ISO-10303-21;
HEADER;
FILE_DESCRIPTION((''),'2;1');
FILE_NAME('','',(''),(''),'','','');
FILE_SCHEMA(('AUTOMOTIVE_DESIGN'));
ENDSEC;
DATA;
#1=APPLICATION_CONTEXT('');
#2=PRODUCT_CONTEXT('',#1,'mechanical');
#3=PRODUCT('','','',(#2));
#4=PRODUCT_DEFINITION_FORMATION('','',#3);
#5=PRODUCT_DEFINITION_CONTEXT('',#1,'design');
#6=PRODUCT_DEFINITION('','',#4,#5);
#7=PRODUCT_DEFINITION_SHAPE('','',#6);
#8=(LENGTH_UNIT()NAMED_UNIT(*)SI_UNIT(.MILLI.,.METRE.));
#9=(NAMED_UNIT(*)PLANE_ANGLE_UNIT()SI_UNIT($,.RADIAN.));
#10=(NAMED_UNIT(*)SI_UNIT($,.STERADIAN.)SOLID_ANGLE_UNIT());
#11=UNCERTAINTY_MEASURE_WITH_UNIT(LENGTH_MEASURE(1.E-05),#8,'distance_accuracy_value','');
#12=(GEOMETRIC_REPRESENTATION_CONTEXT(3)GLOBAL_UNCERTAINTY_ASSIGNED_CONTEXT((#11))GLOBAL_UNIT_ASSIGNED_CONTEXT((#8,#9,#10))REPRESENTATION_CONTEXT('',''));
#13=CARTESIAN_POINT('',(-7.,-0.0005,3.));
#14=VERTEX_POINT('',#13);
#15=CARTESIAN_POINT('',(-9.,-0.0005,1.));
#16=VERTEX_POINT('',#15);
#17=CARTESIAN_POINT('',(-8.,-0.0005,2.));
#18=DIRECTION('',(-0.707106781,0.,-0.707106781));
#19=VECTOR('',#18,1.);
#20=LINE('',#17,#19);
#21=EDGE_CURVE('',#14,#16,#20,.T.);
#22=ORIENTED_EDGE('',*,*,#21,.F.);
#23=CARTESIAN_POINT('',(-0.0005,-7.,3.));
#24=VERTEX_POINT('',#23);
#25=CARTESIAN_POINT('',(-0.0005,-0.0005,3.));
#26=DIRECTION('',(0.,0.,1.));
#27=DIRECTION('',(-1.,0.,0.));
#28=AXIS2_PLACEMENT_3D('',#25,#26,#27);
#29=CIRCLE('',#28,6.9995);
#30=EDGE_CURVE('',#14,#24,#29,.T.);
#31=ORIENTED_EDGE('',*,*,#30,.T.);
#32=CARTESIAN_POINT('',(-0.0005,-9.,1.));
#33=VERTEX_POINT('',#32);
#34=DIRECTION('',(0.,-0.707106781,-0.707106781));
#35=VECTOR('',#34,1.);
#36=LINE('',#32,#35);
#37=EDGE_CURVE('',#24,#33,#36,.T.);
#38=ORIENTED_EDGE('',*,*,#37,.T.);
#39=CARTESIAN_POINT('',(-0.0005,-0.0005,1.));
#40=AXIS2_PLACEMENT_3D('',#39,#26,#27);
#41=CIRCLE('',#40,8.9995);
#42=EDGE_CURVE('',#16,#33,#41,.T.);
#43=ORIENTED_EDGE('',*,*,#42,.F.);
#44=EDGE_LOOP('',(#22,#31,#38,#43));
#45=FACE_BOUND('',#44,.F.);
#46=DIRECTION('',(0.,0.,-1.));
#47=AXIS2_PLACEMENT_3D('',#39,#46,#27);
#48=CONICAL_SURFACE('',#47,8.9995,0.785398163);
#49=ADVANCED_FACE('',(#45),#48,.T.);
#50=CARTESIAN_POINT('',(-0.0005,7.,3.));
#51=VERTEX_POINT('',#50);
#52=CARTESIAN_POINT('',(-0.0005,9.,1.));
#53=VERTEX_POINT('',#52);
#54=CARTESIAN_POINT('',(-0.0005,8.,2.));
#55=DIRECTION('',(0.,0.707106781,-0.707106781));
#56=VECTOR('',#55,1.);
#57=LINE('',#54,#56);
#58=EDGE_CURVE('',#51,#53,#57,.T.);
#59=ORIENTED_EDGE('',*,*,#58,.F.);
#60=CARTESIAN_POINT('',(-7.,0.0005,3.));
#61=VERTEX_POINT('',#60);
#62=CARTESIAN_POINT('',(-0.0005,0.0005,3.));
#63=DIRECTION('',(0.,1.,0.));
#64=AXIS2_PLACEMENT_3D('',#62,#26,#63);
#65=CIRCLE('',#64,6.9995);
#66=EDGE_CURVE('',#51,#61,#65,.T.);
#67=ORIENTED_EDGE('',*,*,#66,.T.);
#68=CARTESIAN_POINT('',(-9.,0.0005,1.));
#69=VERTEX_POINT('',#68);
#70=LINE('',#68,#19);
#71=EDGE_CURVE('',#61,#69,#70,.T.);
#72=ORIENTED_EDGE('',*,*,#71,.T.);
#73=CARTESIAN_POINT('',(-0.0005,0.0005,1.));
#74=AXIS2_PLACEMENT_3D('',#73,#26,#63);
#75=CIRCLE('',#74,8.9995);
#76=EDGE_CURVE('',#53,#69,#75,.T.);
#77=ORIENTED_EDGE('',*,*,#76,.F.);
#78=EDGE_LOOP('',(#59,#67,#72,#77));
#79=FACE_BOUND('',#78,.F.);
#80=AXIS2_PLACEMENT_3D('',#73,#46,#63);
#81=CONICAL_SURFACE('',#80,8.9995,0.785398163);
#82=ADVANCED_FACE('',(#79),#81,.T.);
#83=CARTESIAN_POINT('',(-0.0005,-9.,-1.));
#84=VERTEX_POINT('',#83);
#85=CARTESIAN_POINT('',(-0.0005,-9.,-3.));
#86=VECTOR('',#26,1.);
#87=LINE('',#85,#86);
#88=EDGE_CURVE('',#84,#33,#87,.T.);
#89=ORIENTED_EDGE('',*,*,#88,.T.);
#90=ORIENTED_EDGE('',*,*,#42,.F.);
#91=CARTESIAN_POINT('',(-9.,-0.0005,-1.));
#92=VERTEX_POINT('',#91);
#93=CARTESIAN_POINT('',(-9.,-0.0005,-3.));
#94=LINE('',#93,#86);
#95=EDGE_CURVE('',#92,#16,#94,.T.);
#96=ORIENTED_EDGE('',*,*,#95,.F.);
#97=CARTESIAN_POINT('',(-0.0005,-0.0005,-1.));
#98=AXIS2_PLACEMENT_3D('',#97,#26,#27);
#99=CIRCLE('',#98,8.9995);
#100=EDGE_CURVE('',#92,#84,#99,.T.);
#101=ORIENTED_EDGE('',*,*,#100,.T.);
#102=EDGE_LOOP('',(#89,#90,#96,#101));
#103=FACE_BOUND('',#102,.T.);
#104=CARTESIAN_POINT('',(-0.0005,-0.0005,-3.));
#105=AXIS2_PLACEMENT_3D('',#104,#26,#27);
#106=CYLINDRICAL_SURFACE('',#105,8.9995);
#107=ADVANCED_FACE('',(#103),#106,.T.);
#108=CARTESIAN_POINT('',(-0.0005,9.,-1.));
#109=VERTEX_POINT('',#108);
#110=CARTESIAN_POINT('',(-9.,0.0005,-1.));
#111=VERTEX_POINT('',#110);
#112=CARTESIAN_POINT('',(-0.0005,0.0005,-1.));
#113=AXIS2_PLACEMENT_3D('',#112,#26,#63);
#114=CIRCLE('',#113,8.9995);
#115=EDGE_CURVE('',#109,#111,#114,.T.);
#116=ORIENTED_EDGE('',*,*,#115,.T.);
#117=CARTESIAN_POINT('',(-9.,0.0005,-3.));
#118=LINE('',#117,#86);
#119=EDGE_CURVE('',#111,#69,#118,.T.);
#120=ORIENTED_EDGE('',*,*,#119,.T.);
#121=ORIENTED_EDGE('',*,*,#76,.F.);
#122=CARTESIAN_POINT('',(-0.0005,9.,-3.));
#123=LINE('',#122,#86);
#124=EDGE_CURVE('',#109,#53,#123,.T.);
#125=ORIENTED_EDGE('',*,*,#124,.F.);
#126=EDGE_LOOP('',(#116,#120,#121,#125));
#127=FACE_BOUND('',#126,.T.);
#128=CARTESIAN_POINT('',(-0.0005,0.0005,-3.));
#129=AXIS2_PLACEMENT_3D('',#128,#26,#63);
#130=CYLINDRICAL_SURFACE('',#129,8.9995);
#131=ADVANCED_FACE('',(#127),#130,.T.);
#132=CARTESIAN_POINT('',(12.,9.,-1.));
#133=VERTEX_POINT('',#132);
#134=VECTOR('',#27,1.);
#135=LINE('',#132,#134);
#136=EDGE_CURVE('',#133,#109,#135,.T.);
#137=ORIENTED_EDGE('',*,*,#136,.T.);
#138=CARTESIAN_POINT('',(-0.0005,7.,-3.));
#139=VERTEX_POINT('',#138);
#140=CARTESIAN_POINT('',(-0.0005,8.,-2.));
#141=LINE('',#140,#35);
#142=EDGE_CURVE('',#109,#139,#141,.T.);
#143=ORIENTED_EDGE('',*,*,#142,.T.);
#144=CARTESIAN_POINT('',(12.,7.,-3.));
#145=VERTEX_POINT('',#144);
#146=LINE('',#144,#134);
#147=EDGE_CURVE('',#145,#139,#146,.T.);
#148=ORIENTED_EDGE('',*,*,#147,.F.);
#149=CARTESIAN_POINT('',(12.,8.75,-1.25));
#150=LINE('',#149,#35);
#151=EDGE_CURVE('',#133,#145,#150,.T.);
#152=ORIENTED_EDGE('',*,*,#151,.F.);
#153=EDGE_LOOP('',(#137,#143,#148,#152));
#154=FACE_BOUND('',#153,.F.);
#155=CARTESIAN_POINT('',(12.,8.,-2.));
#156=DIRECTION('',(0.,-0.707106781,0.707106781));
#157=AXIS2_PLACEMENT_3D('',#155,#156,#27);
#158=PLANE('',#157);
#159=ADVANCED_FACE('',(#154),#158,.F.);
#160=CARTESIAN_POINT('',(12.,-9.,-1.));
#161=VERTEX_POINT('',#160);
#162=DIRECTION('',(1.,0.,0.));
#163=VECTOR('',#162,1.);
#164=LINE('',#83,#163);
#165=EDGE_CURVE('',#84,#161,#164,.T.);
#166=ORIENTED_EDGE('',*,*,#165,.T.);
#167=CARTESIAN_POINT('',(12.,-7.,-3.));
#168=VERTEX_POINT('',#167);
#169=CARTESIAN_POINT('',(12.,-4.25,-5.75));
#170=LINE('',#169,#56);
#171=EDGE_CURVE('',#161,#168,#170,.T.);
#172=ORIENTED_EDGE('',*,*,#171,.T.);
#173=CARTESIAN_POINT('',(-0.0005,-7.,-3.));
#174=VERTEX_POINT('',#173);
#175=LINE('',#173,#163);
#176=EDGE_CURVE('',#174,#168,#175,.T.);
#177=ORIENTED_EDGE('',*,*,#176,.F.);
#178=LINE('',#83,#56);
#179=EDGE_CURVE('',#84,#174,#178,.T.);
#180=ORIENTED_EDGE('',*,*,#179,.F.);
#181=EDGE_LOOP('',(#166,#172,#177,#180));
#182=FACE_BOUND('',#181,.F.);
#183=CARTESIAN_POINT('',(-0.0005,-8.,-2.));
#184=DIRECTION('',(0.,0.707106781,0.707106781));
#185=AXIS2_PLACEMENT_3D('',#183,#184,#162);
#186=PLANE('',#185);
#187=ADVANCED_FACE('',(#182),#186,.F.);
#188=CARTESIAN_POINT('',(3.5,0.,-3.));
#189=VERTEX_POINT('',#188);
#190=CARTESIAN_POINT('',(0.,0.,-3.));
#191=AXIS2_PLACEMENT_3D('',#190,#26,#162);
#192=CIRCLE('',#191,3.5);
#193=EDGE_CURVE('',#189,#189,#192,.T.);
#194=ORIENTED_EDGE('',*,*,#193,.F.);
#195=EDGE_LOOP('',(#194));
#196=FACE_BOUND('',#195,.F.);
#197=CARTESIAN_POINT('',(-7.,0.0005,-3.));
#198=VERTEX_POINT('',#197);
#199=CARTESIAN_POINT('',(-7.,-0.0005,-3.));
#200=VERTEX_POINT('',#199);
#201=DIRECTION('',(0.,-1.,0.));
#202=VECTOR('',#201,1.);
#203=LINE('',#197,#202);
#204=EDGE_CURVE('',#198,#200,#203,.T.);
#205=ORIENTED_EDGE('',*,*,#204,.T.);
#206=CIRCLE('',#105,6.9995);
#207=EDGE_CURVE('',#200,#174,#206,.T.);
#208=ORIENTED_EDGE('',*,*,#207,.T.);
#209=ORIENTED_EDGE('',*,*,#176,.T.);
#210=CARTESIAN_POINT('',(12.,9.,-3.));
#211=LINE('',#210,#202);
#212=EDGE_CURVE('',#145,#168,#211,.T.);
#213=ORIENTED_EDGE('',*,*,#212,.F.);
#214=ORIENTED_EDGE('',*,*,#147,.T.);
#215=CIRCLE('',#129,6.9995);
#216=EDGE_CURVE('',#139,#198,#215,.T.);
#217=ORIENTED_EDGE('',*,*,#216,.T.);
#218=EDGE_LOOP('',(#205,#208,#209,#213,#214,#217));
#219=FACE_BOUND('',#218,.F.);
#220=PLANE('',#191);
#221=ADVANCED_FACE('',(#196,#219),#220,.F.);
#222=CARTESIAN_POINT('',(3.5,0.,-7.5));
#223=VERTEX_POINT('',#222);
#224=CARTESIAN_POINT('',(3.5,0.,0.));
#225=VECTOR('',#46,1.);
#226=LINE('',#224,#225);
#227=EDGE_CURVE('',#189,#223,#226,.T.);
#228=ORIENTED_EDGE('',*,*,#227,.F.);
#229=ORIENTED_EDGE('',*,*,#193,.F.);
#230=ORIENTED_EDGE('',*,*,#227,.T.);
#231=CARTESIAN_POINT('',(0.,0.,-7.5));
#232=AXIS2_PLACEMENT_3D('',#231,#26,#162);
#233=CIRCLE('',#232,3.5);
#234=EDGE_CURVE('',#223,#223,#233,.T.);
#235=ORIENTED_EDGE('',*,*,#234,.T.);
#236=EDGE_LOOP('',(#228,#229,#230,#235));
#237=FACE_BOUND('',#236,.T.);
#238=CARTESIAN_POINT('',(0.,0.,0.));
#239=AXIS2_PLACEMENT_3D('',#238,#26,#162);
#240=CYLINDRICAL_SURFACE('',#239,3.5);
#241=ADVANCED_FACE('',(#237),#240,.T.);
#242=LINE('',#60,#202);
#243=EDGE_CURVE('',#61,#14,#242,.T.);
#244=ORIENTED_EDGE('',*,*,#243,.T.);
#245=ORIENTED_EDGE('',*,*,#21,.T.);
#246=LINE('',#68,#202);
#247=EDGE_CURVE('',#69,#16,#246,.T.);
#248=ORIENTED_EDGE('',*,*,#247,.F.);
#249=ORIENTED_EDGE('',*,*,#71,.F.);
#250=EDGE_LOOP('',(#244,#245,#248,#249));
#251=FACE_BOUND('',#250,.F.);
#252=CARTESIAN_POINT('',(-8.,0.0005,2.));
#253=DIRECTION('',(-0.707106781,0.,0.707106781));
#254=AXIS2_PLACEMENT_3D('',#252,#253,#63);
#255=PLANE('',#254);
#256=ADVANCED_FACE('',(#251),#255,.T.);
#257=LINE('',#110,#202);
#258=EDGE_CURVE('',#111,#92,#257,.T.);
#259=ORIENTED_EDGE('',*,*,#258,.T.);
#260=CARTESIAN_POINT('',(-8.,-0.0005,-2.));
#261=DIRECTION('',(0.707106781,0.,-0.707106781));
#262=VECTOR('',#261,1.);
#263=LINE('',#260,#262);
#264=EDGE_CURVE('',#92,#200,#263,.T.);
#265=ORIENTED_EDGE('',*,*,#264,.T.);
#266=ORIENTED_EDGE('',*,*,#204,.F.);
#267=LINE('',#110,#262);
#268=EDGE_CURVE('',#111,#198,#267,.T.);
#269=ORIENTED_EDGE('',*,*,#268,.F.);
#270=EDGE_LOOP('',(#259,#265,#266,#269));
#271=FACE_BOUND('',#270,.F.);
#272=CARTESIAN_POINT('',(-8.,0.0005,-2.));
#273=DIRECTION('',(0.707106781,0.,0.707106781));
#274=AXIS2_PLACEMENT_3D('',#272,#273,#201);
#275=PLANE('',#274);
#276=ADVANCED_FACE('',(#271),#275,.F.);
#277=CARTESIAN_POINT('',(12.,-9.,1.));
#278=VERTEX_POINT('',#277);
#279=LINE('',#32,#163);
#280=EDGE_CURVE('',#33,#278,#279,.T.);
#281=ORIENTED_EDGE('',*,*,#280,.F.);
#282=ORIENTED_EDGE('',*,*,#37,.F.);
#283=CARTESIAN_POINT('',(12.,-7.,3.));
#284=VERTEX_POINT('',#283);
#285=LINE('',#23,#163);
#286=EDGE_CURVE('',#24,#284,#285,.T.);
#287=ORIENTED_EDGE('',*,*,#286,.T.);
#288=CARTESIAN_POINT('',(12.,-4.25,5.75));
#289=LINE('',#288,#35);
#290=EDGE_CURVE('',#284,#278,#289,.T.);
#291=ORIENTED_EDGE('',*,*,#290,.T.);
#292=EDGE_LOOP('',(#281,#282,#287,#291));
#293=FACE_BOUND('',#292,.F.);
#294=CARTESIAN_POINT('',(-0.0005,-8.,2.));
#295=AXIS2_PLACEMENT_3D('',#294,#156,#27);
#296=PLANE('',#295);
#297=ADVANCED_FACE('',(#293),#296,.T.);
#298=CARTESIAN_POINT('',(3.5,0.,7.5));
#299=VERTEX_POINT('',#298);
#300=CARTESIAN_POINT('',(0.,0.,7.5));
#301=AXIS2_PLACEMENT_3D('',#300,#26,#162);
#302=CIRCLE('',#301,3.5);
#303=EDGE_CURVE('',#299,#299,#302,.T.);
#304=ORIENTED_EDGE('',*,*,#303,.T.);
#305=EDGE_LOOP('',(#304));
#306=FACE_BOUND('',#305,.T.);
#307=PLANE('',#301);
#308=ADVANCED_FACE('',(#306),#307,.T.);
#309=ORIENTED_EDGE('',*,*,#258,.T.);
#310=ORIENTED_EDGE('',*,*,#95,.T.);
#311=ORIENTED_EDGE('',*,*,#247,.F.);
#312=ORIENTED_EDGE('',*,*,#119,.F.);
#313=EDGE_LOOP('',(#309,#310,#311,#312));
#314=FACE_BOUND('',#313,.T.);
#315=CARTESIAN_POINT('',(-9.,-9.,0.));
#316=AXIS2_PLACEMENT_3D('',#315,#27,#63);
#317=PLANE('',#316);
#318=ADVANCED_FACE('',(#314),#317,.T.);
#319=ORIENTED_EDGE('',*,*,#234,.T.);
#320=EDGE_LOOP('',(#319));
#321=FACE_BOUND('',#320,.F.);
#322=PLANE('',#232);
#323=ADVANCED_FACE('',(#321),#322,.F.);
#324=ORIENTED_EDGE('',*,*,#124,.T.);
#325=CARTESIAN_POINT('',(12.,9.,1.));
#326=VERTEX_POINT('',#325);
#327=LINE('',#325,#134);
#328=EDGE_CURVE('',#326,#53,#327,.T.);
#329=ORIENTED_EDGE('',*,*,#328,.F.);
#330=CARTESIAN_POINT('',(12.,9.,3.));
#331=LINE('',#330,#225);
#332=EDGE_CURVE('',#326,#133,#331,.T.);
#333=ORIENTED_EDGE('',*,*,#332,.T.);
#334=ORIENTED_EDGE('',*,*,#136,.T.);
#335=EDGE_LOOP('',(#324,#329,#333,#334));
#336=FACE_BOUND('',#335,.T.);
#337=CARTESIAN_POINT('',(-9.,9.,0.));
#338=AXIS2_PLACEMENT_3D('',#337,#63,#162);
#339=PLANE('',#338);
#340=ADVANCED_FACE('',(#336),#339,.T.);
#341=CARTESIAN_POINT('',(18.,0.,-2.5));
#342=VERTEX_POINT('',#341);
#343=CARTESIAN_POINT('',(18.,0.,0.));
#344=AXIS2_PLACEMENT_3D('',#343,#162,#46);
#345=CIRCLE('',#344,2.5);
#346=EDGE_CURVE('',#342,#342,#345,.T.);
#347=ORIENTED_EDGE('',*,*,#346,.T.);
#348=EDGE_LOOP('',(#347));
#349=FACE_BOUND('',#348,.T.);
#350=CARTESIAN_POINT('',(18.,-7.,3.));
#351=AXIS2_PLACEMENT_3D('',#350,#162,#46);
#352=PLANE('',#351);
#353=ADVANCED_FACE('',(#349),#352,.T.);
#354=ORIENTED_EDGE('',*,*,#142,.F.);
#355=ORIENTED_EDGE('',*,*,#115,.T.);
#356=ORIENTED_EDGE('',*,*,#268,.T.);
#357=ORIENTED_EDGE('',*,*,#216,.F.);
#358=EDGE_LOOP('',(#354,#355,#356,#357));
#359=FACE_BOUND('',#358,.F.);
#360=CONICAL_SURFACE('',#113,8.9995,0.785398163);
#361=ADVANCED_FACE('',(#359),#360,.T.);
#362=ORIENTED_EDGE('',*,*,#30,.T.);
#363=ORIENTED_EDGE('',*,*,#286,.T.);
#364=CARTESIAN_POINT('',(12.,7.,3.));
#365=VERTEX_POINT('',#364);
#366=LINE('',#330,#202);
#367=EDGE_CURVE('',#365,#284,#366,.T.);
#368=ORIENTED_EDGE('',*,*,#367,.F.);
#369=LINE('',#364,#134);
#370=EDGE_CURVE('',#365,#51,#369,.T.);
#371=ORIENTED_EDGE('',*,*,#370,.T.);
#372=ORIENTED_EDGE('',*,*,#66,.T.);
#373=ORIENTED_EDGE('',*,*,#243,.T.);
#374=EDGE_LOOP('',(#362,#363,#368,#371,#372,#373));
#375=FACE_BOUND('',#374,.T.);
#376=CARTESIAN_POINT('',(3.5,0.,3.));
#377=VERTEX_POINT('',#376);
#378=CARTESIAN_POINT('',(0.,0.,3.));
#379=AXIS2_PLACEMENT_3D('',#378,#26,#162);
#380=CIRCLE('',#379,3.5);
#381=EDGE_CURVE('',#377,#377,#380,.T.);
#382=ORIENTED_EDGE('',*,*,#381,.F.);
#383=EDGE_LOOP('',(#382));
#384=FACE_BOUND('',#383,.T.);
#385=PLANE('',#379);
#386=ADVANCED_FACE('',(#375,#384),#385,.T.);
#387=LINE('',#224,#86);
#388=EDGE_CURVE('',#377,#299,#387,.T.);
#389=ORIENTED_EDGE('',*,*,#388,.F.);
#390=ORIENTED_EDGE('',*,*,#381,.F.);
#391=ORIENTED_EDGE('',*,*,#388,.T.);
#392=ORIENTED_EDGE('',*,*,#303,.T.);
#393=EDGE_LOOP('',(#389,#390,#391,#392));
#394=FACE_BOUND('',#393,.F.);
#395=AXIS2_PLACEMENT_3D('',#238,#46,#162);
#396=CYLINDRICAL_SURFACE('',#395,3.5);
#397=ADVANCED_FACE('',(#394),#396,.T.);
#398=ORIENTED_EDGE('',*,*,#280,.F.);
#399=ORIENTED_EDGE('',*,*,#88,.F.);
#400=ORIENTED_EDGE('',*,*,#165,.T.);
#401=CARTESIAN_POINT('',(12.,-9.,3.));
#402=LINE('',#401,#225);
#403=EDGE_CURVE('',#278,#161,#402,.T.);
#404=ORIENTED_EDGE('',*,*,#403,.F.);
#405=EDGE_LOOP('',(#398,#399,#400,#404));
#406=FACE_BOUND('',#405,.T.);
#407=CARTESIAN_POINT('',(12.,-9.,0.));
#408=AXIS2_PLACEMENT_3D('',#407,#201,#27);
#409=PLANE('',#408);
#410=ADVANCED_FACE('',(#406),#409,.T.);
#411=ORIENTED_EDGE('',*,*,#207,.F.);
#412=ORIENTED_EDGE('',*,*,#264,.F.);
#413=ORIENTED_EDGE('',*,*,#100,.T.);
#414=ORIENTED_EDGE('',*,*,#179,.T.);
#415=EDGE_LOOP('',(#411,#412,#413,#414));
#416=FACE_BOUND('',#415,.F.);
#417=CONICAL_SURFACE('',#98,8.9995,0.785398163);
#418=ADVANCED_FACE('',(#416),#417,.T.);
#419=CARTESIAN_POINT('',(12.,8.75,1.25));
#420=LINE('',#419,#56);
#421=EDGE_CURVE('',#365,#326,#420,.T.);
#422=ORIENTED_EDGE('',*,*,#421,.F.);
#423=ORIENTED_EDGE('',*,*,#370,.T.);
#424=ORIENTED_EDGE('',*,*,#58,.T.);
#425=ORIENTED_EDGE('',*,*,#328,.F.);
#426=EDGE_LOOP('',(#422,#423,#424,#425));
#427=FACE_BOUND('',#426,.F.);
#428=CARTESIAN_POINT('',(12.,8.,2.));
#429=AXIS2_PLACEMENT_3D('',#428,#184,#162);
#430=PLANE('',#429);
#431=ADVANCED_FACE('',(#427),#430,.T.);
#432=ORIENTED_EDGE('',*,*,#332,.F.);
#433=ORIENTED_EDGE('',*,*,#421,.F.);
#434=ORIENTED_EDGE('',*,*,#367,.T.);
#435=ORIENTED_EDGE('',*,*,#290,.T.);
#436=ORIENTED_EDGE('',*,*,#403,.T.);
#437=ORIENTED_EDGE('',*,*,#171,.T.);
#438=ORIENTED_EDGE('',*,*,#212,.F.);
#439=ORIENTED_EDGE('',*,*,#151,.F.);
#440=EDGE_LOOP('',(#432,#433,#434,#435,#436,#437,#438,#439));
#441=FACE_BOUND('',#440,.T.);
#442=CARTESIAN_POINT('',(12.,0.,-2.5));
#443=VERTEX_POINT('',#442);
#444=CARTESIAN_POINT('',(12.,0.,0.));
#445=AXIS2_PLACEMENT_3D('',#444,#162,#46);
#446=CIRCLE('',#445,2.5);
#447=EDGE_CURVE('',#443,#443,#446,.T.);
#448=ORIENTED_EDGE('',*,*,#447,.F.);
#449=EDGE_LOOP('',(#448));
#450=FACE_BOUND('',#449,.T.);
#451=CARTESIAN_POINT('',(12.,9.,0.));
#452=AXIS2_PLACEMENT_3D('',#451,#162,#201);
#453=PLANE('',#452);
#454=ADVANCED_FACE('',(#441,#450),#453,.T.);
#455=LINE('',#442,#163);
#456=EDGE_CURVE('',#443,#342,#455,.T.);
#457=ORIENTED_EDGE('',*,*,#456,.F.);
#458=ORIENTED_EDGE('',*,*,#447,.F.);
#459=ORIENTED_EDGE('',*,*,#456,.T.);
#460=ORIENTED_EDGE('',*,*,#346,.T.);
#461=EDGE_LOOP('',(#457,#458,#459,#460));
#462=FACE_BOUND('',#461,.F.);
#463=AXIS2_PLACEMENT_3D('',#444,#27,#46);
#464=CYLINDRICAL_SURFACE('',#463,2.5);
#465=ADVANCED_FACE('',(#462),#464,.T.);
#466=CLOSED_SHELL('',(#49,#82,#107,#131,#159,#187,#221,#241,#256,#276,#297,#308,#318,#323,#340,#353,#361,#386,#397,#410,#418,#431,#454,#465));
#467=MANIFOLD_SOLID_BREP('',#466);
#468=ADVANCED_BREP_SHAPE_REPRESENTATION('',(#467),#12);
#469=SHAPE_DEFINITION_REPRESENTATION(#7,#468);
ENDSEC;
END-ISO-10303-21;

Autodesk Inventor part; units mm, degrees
ref_plane "YZ Plane" through (0, 0, 0) normal (1, 0, 0) x (0, 1, 0)
ref_plane "XZ Plane" through (0, 0, 0) normal (0, 1, 0) x (-1, 0, 0)
ref_plane "XY Plane" through (0, 0, 0) normal (0, 0, 1) x (1, 0, 0)
sketch "스케치1" plane through (0, 0, 0) normal (0, 0, 1) x (1, 0, 0)
  circle A0 centre (0, 0) radius 3.5
  line L0 (-9, 9) -> (12, 9)
  line L1 (12, 9) -> (12, -9)
  line L2 (12, -9) -> (-9, -9)
  line L3 (-9, -9) -> (-9, 9)
  dimension "d0" = 7
  dimension "d1" = 21
  dimension "d2" = 18
  dimension "d3" = 12
  dimension "d4" = 9
extrude "돌출1" add sketch "스케치1" along normal mid plane 6
extrude "돌출2" add sketch "스케치1" along normal mid plane 15 contours A0
fillet "모깎기1" radius 9 2 edges at (-9, 9, 0) (-9, -9, 0)
chamfer "모따기1" distance 2 angle 45 6 edges at (-6.3641, 6.3641, 3) (5.9998, 9, 3) (5.9998, -9, 3) (-6.3641, 6.3641, -3) (5.9998, -9, -3) (5.9998, 9, -3)
sketch "스케치2" plane through (12, -7, 3) normal (1, 0, 0) x (0, 0, -1)
  circle A0 centre (3, 7) radius 2.5
  dimension "d13" = 5
extrude "돌출3" add sketch "스케치2" along normal blind 6
properties part number "2번부품"
